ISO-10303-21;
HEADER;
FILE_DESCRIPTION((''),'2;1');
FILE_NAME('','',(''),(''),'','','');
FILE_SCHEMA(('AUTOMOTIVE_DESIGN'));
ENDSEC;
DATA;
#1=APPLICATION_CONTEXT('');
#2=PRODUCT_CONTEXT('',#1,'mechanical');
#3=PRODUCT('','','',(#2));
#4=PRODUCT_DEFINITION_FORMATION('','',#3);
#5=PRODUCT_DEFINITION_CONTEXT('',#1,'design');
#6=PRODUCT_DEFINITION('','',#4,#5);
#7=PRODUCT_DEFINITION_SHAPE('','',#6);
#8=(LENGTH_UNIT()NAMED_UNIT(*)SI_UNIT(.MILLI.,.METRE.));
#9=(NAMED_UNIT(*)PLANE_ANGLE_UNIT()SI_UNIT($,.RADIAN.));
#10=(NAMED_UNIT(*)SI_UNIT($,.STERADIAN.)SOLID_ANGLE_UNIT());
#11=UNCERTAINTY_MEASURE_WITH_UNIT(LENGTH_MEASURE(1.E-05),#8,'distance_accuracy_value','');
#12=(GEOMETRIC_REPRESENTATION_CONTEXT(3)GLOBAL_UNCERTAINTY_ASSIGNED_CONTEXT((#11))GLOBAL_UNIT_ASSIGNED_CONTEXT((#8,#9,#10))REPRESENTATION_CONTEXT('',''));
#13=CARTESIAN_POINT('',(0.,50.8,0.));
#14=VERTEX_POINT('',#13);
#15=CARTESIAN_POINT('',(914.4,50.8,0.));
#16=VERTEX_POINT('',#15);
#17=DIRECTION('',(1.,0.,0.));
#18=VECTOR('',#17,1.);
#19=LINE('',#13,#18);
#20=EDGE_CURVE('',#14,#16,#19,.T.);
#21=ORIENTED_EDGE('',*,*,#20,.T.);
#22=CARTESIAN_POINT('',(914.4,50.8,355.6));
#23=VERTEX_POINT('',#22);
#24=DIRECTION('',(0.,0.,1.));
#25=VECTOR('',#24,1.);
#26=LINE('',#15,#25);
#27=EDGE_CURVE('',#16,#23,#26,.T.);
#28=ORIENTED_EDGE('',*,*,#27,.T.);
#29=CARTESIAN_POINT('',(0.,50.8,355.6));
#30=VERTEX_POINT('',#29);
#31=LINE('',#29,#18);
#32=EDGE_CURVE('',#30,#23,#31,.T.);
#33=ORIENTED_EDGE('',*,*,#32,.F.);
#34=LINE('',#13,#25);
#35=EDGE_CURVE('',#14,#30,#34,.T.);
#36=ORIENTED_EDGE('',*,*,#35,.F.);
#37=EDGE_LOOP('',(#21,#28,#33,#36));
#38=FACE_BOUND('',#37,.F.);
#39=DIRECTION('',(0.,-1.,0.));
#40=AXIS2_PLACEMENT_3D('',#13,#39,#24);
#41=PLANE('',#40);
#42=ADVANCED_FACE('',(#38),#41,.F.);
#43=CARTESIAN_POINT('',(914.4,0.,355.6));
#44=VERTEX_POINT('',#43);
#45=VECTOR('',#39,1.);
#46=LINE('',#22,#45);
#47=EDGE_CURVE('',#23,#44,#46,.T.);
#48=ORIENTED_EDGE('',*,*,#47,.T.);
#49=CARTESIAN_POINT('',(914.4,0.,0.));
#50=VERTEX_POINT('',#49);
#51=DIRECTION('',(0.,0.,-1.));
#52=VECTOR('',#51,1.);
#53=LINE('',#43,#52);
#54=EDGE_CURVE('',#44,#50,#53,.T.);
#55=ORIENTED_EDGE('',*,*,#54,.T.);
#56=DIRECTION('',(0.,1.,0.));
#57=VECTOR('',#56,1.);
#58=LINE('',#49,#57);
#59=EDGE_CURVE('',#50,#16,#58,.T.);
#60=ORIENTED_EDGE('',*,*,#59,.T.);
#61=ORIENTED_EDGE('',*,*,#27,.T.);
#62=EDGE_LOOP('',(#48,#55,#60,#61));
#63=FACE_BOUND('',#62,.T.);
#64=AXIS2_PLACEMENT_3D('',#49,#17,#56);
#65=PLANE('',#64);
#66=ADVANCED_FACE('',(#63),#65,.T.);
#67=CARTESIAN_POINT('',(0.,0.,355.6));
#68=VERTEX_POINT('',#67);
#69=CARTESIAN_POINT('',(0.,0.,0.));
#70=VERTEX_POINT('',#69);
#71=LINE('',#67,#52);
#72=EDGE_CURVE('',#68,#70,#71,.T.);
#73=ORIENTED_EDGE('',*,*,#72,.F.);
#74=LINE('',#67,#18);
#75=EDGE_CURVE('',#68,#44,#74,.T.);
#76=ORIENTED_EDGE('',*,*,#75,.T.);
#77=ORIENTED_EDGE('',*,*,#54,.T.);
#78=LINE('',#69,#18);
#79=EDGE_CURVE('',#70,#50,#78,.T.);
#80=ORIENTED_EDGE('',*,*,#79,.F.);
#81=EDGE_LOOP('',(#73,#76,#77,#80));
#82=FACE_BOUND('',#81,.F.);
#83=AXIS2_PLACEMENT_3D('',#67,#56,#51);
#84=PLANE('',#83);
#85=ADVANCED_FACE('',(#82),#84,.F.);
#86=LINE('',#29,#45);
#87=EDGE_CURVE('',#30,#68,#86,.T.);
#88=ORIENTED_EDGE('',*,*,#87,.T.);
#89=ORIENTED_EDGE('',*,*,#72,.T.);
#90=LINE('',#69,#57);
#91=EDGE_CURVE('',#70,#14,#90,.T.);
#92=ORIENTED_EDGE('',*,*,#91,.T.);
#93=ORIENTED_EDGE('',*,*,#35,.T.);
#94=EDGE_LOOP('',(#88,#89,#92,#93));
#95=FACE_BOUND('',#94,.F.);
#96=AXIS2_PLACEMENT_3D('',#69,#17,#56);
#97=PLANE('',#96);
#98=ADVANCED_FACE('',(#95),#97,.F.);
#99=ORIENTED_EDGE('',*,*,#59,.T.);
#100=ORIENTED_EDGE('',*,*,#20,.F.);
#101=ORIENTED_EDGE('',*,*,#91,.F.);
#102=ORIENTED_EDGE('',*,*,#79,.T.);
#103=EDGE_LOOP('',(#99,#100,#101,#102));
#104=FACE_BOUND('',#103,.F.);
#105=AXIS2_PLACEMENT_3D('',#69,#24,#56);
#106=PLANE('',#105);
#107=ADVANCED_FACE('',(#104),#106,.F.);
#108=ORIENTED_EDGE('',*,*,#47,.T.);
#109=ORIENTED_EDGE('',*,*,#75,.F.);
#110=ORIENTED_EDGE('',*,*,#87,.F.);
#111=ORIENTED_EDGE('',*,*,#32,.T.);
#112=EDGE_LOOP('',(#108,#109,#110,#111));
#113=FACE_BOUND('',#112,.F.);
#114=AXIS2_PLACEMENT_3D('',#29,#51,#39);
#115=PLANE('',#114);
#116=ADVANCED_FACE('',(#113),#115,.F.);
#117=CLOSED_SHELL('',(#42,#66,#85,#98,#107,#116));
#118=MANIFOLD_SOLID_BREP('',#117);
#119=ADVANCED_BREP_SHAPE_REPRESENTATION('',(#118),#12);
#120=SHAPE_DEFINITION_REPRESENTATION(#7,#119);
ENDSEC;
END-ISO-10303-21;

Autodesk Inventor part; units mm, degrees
ref_plane "YZ Plane" through (0, 0, 0) normal (1, 0, 0) x (0, 1, 0)
ref_plane "XZ Plane" through (0, 0, 0) normal (0, 1, 0) x (-1, 0, 0)
ref_plane "XY Plane" through (0, 0, 0) normal (0, 0, 1) x (1, 0, 0)
sketch "Sketch1" plane through (0, 0, 0) normal (1, 0, 0) x (0, 1, 0)
  line L0 (0, 0) -> (50.8, 0)
  line L1 (50.8, 0) -> (50.8, 355.6)
  line L2 (50.8, 355.6) -> (0, 355.6)
  line L3 (0, 355.6) -> (0, 0)
  dimension "d0" = 50.8
  dimension "d1" = 355.6
extrude "Extrusion1" add sketch "Sketch1" along normal blind 914.4
properties part number "2x14x36-18(2)" material "Granite, Cut, Polished"
